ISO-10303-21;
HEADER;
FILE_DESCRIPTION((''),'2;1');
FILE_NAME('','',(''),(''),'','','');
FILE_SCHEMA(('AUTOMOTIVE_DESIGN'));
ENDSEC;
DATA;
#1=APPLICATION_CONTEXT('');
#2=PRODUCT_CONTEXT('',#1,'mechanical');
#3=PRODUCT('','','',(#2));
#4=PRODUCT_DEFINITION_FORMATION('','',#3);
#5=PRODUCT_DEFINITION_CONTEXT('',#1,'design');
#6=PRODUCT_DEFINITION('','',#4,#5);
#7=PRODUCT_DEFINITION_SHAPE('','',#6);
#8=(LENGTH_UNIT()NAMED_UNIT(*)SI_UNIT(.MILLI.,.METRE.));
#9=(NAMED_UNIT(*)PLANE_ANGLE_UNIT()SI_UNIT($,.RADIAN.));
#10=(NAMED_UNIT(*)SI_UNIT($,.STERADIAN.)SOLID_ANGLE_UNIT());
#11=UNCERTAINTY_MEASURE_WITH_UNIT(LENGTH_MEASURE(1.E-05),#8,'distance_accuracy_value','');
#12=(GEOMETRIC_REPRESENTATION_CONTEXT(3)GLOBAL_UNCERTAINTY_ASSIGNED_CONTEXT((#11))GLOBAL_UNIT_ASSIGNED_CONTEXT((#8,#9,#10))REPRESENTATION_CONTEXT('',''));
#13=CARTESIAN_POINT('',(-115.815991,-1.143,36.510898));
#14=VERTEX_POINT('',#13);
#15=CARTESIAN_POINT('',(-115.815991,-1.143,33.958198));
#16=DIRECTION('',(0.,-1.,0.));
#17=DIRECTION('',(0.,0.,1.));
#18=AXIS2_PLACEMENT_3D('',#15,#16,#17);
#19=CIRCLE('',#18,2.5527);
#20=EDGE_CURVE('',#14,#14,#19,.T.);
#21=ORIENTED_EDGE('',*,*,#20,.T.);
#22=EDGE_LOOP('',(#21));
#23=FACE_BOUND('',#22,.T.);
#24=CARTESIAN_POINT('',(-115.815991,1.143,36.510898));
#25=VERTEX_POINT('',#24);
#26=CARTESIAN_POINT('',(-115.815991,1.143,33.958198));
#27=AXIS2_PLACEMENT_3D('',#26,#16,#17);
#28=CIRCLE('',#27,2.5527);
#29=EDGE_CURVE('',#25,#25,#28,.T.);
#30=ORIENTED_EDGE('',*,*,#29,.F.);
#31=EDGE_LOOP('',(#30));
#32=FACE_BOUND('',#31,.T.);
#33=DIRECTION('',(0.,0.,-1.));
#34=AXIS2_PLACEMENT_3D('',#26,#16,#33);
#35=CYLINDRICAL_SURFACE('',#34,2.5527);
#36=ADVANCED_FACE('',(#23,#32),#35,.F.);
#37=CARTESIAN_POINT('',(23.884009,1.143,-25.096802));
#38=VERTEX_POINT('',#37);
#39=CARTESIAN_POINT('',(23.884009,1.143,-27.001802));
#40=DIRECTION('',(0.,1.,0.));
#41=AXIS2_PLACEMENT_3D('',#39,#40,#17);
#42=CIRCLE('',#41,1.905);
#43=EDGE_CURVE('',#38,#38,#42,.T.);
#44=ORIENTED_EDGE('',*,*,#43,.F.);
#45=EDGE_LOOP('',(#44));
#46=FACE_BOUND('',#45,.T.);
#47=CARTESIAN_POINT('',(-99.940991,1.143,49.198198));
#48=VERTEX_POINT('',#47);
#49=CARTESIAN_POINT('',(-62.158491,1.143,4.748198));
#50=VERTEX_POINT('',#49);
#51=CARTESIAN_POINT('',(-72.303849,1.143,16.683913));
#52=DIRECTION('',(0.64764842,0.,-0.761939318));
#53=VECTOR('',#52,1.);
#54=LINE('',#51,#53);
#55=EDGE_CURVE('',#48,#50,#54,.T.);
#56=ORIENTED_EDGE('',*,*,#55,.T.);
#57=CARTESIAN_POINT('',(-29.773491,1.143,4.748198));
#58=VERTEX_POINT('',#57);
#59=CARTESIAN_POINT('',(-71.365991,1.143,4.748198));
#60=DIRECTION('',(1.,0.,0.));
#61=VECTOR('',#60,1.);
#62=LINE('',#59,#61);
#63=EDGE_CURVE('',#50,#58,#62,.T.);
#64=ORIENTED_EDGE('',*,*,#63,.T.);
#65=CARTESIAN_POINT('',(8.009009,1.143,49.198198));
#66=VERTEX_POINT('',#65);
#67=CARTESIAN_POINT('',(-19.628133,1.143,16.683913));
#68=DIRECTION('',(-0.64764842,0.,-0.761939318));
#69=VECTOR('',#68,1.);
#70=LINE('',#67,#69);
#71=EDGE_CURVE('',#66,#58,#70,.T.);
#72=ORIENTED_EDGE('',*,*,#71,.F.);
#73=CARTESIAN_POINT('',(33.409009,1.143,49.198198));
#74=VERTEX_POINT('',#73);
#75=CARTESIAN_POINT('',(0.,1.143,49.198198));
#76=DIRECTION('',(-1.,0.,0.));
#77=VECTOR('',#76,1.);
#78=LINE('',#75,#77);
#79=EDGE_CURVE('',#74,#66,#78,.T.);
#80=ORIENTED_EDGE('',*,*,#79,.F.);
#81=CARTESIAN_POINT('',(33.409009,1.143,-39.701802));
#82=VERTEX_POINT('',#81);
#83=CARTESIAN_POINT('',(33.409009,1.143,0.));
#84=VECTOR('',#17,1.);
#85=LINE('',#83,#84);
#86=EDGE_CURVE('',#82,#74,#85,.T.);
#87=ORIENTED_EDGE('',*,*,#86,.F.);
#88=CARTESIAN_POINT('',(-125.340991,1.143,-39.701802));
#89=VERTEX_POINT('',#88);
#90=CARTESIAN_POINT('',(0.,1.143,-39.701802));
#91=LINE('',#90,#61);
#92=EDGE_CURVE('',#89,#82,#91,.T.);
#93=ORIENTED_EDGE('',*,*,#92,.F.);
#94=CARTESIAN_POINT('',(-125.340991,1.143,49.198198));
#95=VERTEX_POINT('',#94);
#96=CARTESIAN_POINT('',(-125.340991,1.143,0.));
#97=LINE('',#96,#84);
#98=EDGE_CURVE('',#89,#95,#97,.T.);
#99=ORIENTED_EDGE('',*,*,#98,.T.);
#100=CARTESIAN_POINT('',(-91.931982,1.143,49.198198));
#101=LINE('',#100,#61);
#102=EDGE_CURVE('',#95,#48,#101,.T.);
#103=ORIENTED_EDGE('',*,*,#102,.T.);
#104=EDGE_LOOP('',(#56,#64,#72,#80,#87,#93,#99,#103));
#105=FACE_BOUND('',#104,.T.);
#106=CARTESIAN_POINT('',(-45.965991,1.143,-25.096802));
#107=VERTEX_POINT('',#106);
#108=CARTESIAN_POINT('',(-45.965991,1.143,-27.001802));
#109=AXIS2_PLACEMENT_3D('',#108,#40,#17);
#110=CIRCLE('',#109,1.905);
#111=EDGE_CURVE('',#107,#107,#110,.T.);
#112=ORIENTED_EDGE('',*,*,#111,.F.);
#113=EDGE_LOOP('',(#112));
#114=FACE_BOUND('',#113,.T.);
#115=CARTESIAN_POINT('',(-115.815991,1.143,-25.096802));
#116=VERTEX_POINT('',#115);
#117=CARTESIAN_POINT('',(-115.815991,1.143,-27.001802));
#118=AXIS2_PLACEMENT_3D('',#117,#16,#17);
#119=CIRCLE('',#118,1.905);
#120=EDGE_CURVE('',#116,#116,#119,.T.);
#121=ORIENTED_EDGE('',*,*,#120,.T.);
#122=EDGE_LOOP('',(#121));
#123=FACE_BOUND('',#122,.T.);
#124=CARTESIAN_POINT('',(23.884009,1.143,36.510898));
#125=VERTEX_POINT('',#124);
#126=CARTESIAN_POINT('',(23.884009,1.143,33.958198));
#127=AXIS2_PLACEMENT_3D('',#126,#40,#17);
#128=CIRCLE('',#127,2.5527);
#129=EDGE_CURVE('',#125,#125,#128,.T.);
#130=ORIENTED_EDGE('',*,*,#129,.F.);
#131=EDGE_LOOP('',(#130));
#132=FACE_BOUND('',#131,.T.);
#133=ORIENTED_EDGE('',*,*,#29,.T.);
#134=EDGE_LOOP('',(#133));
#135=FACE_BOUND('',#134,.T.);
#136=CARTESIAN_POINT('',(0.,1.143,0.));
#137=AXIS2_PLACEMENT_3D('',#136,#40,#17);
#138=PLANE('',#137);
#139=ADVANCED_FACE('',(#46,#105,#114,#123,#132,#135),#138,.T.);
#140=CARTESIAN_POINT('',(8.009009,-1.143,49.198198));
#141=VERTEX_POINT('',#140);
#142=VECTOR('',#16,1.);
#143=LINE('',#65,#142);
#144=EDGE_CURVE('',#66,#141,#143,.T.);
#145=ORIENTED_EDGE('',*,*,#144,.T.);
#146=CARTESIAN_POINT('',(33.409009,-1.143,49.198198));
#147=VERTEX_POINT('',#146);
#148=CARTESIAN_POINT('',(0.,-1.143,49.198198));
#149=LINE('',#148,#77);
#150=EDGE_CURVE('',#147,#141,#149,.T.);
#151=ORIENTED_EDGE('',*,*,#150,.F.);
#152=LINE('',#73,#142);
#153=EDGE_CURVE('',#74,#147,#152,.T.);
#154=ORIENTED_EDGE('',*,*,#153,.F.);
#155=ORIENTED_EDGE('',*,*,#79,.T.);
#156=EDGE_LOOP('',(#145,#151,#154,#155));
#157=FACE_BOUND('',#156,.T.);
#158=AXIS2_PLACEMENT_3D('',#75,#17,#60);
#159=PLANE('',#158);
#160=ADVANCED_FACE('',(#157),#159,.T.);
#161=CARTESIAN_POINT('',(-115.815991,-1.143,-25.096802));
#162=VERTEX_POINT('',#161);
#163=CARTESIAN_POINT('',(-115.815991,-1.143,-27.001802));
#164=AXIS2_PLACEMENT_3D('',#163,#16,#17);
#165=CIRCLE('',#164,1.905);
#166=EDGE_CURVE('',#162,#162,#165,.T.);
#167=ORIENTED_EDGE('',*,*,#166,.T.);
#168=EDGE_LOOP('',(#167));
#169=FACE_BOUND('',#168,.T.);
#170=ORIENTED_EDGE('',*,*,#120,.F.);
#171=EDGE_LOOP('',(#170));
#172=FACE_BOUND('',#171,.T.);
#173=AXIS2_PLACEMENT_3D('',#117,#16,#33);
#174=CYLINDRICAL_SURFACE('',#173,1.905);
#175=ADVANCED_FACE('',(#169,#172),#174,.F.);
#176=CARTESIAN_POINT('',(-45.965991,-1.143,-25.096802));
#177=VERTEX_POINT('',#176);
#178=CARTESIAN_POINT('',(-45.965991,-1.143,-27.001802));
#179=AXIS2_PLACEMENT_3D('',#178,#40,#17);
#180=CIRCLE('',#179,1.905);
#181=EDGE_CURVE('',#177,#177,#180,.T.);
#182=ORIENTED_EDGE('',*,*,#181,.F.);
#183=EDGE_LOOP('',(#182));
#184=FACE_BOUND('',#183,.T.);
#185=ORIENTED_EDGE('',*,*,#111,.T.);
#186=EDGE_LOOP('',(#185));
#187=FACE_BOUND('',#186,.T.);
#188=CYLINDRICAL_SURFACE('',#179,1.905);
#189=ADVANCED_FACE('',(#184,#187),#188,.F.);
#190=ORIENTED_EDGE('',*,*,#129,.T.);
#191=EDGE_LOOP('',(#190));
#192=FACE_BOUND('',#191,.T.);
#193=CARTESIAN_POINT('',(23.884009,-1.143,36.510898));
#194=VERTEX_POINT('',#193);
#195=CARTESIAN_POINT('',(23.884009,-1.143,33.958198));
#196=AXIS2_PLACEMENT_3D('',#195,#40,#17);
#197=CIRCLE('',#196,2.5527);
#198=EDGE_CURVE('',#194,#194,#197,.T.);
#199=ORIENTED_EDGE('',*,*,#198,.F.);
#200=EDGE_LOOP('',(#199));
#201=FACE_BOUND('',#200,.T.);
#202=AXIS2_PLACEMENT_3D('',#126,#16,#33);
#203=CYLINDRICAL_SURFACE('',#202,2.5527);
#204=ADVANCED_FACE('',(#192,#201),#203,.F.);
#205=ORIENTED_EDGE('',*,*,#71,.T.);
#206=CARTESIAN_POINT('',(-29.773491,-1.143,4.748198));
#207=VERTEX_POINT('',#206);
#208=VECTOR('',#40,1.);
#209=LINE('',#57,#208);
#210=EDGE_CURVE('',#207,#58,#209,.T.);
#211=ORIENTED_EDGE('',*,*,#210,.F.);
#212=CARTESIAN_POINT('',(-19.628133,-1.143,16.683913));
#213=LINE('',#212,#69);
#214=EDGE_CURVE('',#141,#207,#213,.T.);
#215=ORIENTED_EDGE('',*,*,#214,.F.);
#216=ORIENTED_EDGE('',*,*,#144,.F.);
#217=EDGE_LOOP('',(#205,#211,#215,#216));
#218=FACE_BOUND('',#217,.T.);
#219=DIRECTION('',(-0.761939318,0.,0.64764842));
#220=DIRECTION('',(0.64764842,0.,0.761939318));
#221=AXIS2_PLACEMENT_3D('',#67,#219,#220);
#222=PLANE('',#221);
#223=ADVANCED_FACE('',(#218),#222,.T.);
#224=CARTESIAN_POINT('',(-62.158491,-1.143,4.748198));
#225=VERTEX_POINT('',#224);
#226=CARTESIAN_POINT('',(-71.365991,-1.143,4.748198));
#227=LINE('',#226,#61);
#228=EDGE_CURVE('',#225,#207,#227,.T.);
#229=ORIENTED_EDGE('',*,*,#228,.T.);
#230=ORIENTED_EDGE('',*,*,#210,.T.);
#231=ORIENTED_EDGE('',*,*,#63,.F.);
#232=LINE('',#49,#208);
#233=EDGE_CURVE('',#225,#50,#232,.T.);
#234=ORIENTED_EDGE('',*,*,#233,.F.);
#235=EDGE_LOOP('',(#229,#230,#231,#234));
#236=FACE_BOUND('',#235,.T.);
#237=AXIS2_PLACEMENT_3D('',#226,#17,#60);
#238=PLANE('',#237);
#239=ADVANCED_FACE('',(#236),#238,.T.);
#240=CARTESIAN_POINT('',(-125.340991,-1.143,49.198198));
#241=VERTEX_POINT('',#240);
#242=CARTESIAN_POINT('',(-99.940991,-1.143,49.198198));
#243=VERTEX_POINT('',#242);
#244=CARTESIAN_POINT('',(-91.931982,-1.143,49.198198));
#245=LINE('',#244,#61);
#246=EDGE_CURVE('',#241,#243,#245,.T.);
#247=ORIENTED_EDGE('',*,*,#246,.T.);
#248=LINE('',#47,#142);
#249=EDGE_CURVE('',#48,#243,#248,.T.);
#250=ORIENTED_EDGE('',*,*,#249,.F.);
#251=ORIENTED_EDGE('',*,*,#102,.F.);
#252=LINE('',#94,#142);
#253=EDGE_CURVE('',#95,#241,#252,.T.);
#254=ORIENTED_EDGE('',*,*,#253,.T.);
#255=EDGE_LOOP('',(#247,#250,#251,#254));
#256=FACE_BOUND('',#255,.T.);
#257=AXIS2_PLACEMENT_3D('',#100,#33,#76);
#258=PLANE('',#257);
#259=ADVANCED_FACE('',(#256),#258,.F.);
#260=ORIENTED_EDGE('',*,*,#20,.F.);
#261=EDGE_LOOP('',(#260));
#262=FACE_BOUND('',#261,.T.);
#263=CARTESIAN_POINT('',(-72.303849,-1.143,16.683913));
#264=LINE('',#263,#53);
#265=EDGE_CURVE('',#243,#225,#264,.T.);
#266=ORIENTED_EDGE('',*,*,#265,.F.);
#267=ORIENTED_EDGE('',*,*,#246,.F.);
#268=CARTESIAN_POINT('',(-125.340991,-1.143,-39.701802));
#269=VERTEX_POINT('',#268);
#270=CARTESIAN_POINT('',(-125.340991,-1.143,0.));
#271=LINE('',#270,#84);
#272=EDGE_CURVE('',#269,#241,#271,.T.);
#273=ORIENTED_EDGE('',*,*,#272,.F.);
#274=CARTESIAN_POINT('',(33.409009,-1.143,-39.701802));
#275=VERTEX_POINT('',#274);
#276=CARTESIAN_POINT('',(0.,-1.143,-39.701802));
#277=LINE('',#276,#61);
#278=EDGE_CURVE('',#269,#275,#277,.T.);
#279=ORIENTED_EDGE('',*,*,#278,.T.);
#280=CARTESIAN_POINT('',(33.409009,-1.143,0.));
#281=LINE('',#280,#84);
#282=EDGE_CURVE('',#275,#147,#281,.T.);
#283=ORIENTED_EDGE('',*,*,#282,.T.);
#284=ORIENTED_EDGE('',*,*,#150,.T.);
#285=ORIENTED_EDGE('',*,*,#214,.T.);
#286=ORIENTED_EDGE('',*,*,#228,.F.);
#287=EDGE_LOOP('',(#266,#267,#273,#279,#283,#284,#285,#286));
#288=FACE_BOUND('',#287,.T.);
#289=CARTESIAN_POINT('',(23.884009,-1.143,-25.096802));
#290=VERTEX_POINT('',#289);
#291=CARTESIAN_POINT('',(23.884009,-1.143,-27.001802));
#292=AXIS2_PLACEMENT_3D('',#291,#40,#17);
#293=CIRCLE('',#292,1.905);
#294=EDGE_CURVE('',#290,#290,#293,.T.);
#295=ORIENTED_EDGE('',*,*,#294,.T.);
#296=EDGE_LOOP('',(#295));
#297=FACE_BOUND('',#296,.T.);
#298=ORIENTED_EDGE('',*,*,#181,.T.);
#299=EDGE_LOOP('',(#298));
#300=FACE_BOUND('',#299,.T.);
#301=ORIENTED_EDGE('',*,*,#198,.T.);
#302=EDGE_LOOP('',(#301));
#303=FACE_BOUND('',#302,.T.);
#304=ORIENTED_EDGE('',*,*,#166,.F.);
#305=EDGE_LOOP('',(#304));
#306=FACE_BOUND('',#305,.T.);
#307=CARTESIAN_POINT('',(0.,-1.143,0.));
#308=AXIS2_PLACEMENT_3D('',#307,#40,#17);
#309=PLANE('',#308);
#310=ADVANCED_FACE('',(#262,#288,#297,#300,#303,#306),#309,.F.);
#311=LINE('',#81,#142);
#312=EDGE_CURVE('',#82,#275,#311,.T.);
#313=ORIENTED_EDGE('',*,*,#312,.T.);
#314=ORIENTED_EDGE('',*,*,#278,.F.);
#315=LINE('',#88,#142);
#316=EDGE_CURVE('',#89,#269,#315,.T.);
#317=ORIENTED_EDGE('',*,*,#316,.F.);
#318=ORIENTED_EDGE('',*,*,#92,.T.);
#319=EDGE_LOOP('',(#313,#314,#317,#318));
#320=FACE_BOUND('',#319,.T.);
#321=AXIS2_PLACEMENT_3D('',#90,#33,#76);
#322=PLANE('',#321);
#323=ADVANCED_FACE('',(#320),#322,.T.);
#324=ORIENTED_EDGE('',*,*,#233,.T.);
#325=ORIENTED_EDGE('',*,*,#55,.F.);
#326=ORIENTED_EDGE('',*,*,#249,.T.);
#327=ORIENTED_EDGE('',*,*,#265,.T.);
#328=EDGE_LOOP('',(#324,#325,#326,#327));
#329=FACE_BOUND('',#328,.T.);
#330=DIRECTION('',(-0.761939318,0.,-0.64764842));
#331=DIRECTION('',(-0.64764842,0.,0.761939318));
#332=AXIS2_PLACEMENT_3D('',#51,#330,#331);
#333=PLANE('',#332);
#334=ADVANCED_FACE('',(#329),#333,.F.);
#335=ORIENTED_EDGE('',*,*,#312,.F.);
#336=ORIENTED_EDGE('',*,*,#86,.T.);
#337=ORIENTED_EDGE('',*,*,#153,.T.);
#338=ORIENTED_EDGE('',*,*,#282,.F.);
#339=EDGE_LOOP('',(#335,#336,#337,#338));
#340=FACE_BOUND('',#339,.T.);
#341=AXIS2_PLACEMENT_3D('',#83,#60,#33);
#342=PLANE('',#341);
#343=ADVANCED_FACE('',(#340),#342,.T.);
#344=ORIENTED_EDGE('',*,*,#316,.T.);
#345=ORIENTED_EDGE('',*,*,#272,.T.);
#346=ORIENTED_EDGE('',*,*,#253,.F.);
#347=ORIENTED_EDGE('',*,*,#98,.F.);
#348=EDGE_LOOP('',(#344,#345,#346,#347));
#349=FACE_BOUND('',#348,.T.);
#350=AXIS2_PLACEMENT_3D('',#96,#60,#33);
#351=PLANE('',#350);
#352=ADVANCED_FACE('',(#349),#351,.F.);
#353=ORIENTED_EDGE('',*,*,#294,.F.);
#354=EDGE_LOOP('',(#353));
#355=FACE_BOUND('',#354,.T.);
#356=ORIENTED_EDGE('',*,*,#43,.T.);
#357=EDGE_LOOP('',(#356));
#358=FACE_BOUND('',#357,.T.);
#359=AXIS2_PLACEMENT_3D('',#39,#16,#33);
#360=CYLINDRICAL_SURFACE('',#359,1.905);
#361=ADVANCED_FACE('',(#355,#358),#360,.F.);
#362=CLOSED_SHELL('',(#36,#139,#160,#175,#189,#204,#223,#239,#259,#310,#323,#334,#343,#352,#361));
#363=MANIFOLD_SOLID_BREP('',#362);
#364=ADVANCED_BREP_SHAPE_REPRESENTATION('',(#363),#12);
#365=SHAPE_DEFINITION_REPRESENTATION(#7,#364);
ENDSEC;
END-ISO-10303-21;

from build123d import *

# Parameters (mm, degrees)
SKETCH1_R           = 2.5527
SKETCH1_R_2         = 1.905
BOSS_EXTRUDE1_DEPTH = 1.143
SKETCH3_R           = 1.905
CUT_EXTRUDE1_DEPTH  = 135.670161968
SKETCH4_W           = 50.8
SKETCH4_H           = 19.05
BOSS_EXTRUDE2_DEPTH = 2.286


with BuildPart() as part:
    # Sketch1 → Boss-Extrude1 (new, symmetric)
    with BuildSketch(Plane(origin=(0, 0, 0), x_dir=(1, 0, 0), z_dir=(0, 1, 0))):
        Polygon((-45.965990991, 39.701801802), (33.409009009, 39.701801802), (33.409009009, -49.198198198), (8.009009009, -49.198198198), (-45.965990991, 14.301801802), align=None)
        with Locations(Location((23.884009009, -33.958198198, 0), (0, 0, 270))):
            Circle(SKETCH1_R, mode=Mode.SUBTRACT)
        with Locations(Location((23.884009009, 27.001801802, 0), (0, 0, 270))):
            Circle(SKETCH1_R_2, mode=Mode.SUBTRACT)
    boss_extrude1 = extrude(amount=BOSS_EXTRUDE1_DEPTH, both=True)

    # Mirror1: Boss-Extrude1 across plane
    add(boss_extrude1.mirror(Plane(origin=(-45.965990991, 1.143, 0), x_dir=(0, 0, 1), z_dir=(-1, 0, 0))))

    # Sketch3 → Cut-Extrude1 (cut, through all)
    with BuildSketch(Plane(origin=(0, 1.143, 0), x_dir=(1, 0, 0), z_dir=(0, 1, 0))):
        with Locations(Location((-45.965990991, 27.001801802, 0), (0, 0, 270))):
            Circle(SKETCH3_R)
    extrude(amount=-CUT_EXTRUDE1_DEPTH, mode=Mode.SUBTRACT)

    # Sketch4 → Boss-Extrude2 (add)
    with BuildSketch(Plane(origin=(0, 1.143, 0), x_dir=(1, 0, 0), z_dir=(0, 1, 0))):
        with Locations((-45.965990991, 4.776801802)):
            Rectangle(SKETCH4_W, SKETCH4_H)
    extrude(amount=-BOSS_EXTRUDE2_DEPTH)


solid = part.part
